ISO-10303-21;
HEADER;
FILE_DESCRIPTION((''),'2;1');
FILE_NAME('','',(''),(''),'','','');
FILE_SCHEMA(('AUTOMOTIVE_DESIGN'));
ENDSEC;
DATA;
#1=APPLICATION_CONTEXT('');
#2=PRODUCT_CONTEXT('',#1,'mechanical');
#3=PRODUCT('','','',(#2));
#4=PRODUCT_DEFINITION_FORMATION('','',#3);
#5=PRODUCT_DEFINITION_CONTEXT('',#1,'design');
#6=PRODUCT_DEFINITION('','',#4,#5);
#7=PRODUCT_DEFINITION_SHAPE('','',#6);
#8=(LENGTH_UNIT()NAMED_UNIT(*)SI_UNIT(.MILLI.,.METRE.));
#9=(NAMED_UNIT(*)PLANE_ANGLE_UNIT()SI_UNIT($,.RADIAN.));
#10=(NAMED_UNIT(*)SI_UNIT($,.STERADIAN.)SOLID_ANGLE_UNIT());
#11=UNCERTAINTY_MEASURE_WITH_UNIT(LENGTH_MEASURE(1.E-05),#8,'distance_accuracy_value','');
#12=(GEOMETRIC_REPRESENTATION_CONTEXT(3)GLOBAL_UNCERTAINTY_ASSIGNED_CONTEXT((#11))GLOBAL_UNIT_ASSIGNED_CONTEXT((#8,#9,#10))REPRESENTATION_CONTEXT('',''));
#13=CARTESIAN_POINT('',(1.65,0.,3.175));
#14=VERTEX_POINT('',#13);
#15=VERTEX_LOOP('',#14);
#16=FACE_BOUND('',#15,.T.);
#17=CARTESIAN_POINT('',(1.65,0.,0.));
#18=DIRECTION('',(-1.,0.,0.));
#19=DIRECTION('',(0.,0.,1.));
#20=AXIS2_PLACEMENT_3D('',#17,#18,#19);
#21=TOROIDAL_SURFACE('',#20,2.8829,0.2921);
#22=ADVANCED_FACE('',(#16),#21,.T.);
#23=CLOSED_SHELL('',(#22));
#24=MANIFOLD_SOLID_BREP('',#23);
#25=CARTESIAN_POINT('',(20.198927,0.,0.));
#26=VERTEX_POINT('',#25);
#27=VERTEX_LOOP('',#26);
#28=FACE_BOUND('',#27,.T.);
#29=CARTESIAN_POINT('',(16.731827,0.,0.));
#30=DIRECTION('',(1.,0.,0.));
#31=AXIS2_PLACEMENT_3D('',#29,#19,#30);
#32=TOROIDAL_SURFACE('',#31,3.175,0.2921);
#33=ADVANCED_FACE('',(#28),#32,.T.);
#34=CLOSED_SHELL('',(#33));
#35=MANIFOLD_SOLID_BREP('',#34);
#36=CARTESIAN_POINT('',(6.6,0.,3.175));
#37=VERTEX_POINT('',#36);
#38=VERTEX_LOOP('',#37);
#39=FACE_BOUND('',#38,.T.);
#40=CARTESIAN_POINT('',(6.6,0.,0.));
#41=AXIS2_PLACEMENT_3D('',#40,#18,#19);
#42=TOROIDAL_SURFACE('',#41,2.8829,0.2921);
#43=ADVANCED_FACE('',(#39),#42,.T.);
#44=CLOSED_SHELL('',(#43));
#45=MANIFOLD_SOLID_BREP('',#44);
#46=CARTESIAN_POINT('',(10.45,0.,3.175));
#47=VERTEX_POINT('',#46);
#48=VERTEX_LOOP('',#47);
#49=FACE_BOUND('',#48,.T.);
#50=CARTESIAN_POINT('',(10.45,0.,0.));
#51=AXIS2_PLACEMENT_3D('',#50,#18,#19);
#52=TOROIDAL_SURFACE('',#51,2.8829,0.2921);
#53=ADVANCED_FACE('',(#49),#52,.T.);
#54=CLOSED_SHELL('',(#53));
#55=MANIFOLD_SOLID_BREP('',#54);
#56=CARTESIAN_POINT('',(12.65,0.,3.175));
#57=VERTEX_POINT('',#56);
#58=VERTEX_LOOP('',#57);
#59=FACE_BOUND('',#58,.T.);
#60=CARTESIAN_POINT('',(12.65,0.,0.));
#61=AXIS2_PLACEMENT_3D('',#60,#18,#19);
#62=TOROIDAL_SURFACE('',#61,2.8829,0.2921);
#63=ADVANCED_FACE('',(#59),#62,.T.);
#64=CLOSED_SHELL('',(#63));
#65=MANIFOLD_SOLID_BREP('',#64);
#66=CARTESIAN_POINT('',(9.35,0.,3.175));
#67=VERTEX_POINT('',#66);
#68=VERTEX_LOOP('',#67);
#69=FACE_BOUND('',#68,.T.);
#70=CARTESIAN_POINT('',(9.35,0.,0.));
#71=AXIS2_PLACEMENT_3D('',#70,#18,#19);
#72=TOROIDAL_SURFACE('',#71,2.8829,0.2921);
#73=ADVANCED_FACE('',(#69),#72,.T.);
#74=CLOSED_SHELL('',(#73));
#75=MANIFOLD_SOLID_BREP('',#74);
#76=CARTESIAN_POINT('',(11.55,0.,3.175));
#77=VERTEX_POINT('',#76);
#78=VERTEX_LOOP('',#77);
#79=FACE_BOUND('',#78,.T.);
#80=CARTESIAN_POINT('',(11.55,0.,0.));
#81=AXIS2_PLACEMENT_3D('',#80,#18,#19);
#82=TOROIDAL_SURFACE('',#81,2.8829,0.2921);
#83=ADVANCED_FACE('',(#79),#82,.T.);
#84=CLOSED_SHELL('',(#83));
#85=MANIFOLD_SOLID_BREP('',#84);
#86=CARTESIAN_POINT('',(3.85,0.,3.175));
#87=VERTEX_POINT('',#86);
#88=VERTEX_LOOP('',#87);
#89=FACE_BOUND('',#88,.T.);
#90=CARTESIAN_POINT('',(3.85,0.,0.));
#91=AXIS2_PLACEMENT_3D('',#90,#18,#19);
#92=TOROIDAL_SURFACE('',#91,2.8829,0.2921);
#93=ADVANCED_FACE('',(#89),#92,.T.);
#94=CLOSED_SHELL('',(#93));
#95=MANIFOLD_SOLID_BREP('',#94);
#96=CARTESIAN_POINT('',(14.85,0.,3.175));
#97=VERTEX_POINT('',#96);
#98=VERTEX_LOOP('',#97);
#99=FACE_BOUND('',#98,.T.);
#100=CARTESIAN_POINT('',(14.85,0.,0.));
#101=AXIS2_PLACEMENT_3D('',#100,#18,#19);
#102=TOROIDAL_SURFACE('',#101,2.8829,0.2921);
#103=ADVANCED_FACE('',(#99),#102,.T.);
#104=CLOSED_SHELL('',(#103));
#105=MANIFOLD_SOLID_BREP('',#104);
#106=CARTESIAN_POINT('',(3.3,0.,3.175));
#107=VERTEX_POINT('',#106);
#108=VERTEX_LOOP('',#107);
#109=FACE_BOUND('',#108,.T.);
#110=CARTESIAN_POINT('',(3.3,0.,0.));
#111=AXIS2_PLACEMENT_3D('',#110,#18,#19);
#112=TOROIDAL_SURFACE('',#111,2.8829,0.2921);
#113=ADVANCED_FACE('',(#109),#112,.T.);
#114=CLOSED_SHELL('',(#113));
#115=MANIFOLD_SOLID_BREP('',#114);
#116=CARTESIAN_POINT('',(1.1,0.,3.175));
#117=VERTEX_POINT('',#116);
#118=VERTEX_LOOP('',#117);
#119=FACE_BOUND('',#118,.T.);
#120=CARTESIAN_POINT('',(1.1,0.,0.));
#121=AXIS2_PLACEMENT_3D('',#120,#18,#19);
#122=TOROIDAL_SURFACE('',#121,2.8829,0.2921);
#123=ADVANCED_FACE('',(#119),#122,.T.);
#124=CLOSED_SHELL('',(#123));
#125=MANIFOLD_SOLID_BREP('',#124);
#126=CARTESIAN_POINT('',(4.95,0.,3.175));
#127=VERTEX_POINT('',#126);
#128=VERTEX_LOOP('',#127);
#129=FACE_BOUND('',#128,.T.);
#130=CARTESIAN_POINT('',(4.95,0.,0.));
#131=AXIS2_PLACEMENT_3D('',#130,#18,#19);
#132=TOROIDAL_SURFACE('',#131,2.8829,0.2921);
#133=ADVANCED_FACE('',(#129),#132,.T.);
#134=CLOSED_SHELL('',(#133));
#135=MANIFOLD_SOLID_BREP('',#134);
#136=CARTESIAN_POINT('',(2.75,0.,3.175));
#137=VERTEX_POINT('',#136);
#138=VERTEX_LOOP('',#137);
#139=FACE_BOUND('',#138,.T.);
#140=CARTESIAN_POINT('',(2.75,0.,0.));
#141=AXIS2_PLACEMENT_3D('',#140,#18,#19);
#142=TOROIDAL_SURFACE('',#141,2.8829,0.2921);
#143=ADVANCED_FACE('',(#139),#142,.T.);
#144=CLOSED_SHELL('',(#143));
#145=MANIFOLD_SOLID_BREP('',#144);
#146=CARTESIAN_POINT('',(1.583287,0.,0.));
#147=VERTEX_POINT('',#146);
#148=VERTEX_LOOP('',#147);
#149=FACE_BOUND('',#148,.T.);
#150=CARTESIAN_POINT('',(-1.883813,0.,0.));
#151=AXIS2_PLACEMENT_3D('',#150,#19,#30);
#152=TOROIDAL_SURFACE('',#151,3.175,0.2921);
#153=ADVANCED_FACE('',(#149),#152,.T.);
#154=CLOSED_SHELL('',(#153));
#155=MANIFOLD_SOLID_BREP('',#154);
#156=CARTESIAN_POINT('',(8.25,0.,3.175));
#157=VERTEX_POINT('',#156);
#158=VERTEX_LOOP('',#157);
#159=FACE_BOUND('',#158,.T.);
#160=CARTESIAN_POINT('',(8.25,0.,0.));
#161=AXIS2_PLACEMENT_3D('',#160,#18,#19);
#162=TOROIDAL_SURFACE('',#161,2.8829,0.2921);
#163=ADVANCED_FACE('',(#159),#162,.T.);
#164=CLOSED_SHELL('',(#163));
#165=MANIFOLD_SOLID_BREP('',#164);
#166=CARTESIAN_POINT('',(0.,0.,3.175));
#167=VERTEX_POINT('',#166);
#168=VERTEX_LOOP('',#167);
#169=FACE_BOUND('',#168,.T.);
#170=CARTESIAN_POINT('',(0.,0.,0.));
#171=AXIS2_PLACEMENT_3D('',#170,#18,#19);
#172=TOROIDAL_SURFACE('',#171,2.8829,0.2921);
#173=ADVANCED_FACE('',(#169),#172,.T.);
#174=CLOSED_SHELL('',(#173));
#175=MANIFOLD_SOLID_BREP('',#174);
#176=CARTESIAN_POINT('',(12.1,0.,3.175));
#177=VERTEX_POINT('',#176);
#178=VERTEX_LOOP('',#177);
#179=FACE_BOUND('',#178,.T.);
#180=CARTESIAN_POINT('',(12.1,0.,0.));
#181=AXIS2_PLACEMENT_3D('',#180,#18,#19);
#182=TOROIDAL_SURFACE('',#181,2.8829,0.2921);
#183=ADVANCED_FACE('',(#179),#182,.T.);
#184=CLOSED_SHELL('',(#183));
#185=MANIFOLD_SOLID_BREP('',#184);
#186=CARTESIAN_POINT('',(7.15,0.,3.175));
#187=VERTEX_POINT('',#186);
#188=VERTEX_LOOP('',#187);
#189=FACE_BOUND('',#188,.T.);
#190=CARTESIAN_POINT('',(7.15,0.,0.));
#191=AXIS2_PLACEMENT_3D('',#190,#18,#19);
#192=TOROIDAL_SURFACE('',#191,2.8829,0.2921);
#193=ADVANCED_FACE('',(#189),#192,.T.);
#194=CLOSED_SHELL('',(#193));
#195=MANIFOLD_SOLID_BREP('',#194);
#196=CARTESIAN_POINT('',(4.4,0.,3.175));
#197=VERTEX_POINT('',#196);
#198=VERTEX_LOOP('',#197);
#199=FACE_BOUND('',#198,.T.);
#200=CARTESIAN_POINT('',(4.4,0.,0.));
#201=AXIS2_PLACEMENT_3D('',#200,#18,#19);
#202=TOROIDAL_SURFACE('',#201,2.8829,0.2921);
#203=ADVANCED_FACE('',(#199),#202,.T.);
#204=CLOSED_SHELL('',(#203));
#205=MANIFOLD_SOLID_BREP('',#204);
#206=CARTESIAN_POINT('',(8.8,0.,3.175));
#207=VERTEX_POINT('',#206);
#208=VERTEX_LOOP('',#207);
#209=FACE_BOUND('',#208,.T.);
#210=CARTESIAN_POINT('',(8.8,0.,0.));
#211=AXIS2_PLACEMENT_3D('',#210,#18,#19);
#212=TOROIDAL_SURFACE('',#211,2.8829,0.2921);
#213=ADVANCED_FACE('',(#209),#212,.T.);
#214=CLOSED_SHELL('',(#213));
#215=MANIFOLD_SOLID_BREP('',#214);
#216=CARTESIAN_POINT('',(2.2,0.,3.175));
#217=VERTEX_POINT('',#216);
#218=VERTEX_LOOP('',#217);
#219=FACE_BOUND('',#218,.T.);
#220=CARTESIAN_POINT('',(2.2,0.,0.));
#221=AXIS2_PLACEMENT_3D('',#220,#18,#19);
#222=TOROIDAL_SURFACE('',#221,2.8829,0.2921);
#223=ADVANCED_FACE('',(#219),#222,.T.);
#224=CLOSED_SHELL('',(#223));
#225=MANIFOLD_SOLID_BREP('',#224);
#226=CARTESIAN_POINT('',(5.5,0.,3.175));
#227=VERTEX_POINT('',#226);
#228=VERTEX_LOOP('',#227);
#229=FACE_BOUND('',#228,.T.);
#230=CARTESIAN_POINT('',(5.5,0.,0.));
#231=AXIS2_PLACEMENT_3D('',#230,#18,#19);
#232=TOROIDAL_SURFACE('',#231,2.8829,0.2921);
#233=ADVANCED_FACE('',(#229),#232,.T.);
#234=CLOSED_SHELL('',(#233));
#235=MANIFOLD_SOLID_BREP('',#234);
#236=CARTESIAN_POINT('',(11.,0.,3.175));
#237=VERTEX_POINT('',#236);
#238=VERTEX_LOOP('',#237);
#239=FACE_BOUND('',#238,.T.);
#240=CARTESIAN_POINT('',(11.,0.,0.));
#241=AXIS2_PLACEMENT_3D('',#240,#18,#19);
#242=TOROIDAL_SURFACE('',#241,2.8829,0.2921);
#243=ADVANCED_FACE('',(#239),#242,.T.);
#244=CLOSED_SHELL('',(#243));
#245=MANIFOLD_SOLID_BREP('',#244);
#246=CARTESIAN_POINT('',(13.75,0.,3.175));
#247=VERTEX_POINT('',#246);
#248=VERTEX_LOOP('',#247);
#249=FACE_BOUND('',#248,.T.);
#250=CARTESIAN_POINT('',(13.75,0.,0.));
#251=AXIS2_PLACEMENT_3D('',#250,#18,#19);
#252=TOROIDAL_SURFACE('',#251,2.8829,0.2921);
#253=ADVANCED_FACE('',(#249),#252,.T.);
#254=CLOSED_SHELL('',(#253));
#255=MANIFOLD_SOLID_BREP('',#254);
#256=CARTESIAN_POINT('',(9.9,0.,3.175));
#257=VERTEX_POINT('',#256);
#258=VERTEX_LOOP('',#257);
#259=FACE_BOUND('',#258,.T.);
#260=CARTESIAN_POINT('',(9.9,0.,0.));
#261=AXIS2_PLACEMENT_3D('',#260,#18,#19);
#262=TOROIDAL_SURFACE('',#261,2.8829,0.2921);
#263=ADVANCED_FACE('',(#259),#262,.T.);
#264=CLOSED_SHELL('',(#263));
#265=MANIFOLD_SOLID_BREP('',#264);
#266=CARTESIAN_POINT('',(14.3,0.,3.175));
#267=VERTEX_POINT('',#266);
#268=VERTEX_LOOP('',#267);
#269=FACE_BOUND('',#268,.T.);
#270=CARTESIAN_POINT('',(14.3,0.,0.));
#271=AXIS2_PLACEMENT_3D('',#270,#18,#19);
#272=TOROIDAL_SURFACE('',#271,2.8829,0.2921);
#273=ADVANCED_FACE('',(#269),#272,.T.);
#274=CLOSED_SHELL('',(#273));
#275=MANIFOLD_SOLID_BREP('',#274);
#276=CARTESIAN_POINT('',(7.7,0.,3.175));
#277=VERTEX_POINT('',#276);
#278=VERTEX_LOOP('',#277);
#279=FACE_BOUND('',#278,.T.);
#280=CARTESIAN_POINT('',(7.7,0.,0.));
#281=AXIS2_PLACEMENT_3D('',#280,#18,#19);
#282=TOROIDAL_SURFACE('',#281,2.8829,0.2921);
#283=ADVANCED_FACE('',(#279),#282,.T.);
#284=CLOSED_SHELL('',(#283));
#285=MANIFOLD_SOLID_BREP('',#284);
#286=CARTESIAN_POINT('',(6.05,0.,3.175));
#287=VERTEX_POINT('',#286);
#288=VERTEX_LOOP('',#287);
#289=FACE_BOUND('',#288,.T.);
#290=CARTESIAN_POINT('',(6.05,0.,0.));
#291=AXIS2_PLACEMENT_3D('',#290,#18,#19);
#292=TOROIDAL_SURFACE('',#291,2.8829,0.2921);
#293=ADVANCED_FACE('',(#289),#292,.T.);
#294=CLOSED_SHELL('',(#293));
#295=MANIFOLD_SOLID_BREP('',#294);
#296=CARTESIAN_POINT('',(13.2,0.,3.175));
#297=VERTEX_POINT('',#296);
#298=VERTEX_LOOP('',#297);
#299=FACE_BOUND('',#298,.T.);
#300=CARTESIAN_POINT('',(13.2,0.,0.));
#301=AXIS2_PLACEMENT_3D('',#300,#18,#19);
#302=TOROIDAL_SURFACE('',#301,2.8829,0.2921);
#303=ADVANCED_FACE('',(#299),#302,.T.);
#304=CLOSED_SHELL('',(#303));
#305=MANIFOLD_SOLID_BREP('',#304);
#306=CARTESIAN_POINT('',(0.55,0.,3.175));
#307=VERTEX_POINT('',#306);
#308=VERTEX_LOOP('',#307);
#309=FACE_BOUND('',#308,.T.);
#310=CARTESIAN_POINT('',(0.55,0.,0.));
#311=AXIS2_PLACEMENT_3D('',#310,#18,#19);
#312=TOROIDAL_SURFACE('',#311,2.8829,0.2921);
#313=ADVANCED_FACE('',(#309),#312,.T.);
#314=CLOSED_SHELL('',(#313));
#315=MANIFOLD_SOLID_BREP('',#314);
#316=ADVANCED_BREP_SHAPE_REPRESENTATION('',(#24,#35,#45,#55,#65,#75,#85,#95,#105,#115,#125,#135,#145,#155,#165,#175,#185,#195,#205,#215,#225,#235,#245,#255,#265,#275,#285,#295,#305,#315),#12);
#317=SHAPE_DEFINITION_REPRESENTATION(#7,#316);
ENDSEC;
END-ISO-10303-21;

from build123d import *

# Parameters (mm, degrees)
SKETCH4_R       = 0.2921
LPATTERN3_COUNT = 28
LPATTERN3_PITCH = 0.55
SKETCH3_R       = 0.2921
SKETCH7_R       = 0.2921


with BuildPart() as part:
    # Sketch4 → Revolve2 (revolve)
    with BuildSketch(Plane(origin=(0, 0, 0), x_dir=(1, 0, 0), z_dir=(0, 1, 0))):
        with Locations((0, 2.8829)):
            Circle(SKETCH4_R)
    revolve(axis=Axis((-3.147709024, 0, 0), (1, 0, 0)))


with BuildPart() as lpattern3_1:
    # LPattern3: pattern copy
    add(part.part.moved(Location(Vector(1, 0, 0) * (1 * LPATTERN3_PITCH))))


with BuildPart() as lpattern3_2:
    # LPattern3: pattern copy
    add(part.part.moved(Location(Vector(1, 0, 0) * (2 * LPATTERN3_PITCH))))


with BuildPart() as lpattern3_3:
    # LPattern3: pattern copy
    add(part.part.moved(Location(Vector(1, 0, 0) * (3 * LPATTERN3_PITCH))))


with BuildPart() as lpattern3_4:
    # LPattern3: pattern copy
    add(part.part.moved(Location(Vector(1, 0, 0) * (4 * LPATTERN3_PITCH))))


with BuildPart() as lpattern3_5:
    # LPattern3: pattern copy
    add(part.part.moved(Location(Vector(1, 0, 0) * (5 * LPATTERN3_PITCH))))


with BuildPart() as lpattern3_6:
    # LPattern3: pattern copy
    add(part.part.moved(Location(Vector(1, 0, 0) * (6 * LPATTERN3_PITCH))))


with BuildPart() as lpattern3_7:
    # LPattern3: pattern copy
    add(part.part.moved(Location(Vector(1, 0, 0) * (7 * LPATTERN3_PITCH))))


with BuildPart() as lpattern3_8:
    # LPattern3: pattern copy
    add(part.part.moved(Location(Vector(1, 0, 0) * (8 * LPATTERN3_PITCH))))


with BuildPart() as lpattern3_9:
    # LPattern3: pattern copy
    add(part.part.moved(Location(Vector(1, 0, 0) * (9 * LPATTERN3_PITCH))))


with BuildPart() as lpattern3_10:
    # LPattern3: pattern copy
    add(part.part.moved(Location(Vector(1, 0, 0) * (10 * LPATTERN3_PITCH))))


with BuildPart() as lpattern3_11:
    # LPattern3: pattern copy
    add(part.part.moved(Location(Vector(1, 0, 0) * (11 * LPATTERN3_PITCH))))


with BuildPart() as lpattern3_12:
    # LPattern3: pattern copy
    add(part.part.moved(Location(Vector(1, 0, 0) * (12 * LPATTERN3_PITCH))))


with BuildPart() as lpattern3_13:
    # LPattern3: pattern copy
    add(part.part.moved(Location(Vector(1, 0, 0) * (13 * LPATTERN3_PITCH))))


with BuildPart() as lpattern3_14:
    # LPattern3: pattern copy
    add(part.part.moved(Location(Vector(1, 0, 0) * (14 * LPATTERN3_PITCH))))


with BuildPart() as lpattern3_15:
    # LPattern3: pattern copy
    add(part.part.moved(Location(Vector(1, 0, 0) * (15 * LPATTERN3_PITCH))))


with BuildPart() as lpattern3_16:
    # LPattern3: pattern copy
    add(part.part.moved(Location(Vector(1, 0, 0) * (16 * LPATTERN3_PITCH))))


with BuildPart() as lpattern3_17:
    # LPattern3: pattern copy
    add(part.part.moved(Location(Vector(1, 0, 0) * (17 * LPATTERN3_PITCH))))


with BuildPart() as lpattern3_18:
    # LPattern3: pattern copy
    add(part.part.moved(Location(Vector(1, 0, 0) * (18 * LPATTERN3_PITCH))))


with BuildPart() as lpattern3_19:
    # LPattern3: pattern copy
    add(part.part.moved(Location(Vector(1, 0, 0) * (19 * LPATTERN3_PITCH))))


with BuildPart() as lpattern3_20:
    # LPattern3: pattern copy
    add(part.part.moved(Location(Vector(1, 0, 0) * (20 * LPATTERN3_PITCH))))


with BuildPart() as lpattern3_21:
    # LPattern3: pattern copy
    add(part.part.moved(Location(Vector(1, 0, 0) * (21 * LPATTERN3_PITCH))))


with BuildPart() as lpattern3_22:
    # LPattern3: pattern copy
    add(part.part.moved(Location(Vector(1, 0, 0) * (22 * LPATTERN3_PITCH))))


with BuildPart() as lpattern3_23:
    # LPattern3: pattern copy
    add(part.part.moved(Location(Vector(1, 0, 0) * (23 * LPATTERN3_PITCH))))


with BuildPart() as lpattern3_24:
    # LPattern3: pattern copy
    add(part.part.moved(Location(Vector(1, 0, 0) * (24 * LPATTERN3_PITCH))))


with BuildPart() as lpattern3_25:
    # LPattern3: pattern copy
    add(part.part.moved(Location(Vector(1, 0, 0) * (25 * LPATTERN3_PITCH))))


with BuildPart() as lpattern3_26:
    # LPattern3: pattern copy
    add(part.part.moved(Location(Vector(1, 0, 0) * (26 * LPATTERN3_PITCH))))


with BuildPart() as lpattern3_27:
    # LPattern3: pattern copy
    add(part.part.moved(Location(Vector(1, 0, 0) * (27 * LPATTERN3_PITCH))))


with BuildPart() as body_29:
    # Sketch3 → Revolve1 (revolve)
    with BuildSketch(Plane(origin=(0, 0, 0), x_dir=(1, 0, 0), z_dir=(0, 1, 0))):
        with Locations((-5.05881325, 0)):
            Circle(SKETCH3_R)
    revolve(axis=Axis((-1.88381325, 0, 1.393812818), (0, 0, -1)))


with BuildPart() as body_30:
    # Sketch7 → Revolve3 (revolve)
    with BuildSketch(Plane(origin=(0, 0, 0), x_dir=(1, 0, 0), z_dir=(0, 1, 0))):
        with Locations((19.906826885, 0)):
            Circle(SKETCH7_R)
    revolve(axis=Axis((16.731826885, 0, 0.282594352), (0, 0, -1)))


solid = Compound([part.part, lpattern3_1.part, lpattern3_2.part, lpattern3_3.part, lpattern3_4.part, lpattern3_5.part, lpattern3_6.part, lpattern3_7.part, lpattern3_8.part, lpattern3_9.part, lpattern3_10.part, lpattern3_11.part, lpattern3_12.part, lpattern3_13.part, lpattern3_14.part, lpattern3_15.part, lpattern3_16.part, lpattern3_17.part, lpattern3_18.part, lpattern3_19.part, lpattern3_20.part, lpattern3_21.part, lpattern3_22.part, lpattern3_23.part, lpattern3_24.part, lpattern3_25.part, lpattern3_26.part, lpattern3_27.part, body_29.part, body_30.part])
